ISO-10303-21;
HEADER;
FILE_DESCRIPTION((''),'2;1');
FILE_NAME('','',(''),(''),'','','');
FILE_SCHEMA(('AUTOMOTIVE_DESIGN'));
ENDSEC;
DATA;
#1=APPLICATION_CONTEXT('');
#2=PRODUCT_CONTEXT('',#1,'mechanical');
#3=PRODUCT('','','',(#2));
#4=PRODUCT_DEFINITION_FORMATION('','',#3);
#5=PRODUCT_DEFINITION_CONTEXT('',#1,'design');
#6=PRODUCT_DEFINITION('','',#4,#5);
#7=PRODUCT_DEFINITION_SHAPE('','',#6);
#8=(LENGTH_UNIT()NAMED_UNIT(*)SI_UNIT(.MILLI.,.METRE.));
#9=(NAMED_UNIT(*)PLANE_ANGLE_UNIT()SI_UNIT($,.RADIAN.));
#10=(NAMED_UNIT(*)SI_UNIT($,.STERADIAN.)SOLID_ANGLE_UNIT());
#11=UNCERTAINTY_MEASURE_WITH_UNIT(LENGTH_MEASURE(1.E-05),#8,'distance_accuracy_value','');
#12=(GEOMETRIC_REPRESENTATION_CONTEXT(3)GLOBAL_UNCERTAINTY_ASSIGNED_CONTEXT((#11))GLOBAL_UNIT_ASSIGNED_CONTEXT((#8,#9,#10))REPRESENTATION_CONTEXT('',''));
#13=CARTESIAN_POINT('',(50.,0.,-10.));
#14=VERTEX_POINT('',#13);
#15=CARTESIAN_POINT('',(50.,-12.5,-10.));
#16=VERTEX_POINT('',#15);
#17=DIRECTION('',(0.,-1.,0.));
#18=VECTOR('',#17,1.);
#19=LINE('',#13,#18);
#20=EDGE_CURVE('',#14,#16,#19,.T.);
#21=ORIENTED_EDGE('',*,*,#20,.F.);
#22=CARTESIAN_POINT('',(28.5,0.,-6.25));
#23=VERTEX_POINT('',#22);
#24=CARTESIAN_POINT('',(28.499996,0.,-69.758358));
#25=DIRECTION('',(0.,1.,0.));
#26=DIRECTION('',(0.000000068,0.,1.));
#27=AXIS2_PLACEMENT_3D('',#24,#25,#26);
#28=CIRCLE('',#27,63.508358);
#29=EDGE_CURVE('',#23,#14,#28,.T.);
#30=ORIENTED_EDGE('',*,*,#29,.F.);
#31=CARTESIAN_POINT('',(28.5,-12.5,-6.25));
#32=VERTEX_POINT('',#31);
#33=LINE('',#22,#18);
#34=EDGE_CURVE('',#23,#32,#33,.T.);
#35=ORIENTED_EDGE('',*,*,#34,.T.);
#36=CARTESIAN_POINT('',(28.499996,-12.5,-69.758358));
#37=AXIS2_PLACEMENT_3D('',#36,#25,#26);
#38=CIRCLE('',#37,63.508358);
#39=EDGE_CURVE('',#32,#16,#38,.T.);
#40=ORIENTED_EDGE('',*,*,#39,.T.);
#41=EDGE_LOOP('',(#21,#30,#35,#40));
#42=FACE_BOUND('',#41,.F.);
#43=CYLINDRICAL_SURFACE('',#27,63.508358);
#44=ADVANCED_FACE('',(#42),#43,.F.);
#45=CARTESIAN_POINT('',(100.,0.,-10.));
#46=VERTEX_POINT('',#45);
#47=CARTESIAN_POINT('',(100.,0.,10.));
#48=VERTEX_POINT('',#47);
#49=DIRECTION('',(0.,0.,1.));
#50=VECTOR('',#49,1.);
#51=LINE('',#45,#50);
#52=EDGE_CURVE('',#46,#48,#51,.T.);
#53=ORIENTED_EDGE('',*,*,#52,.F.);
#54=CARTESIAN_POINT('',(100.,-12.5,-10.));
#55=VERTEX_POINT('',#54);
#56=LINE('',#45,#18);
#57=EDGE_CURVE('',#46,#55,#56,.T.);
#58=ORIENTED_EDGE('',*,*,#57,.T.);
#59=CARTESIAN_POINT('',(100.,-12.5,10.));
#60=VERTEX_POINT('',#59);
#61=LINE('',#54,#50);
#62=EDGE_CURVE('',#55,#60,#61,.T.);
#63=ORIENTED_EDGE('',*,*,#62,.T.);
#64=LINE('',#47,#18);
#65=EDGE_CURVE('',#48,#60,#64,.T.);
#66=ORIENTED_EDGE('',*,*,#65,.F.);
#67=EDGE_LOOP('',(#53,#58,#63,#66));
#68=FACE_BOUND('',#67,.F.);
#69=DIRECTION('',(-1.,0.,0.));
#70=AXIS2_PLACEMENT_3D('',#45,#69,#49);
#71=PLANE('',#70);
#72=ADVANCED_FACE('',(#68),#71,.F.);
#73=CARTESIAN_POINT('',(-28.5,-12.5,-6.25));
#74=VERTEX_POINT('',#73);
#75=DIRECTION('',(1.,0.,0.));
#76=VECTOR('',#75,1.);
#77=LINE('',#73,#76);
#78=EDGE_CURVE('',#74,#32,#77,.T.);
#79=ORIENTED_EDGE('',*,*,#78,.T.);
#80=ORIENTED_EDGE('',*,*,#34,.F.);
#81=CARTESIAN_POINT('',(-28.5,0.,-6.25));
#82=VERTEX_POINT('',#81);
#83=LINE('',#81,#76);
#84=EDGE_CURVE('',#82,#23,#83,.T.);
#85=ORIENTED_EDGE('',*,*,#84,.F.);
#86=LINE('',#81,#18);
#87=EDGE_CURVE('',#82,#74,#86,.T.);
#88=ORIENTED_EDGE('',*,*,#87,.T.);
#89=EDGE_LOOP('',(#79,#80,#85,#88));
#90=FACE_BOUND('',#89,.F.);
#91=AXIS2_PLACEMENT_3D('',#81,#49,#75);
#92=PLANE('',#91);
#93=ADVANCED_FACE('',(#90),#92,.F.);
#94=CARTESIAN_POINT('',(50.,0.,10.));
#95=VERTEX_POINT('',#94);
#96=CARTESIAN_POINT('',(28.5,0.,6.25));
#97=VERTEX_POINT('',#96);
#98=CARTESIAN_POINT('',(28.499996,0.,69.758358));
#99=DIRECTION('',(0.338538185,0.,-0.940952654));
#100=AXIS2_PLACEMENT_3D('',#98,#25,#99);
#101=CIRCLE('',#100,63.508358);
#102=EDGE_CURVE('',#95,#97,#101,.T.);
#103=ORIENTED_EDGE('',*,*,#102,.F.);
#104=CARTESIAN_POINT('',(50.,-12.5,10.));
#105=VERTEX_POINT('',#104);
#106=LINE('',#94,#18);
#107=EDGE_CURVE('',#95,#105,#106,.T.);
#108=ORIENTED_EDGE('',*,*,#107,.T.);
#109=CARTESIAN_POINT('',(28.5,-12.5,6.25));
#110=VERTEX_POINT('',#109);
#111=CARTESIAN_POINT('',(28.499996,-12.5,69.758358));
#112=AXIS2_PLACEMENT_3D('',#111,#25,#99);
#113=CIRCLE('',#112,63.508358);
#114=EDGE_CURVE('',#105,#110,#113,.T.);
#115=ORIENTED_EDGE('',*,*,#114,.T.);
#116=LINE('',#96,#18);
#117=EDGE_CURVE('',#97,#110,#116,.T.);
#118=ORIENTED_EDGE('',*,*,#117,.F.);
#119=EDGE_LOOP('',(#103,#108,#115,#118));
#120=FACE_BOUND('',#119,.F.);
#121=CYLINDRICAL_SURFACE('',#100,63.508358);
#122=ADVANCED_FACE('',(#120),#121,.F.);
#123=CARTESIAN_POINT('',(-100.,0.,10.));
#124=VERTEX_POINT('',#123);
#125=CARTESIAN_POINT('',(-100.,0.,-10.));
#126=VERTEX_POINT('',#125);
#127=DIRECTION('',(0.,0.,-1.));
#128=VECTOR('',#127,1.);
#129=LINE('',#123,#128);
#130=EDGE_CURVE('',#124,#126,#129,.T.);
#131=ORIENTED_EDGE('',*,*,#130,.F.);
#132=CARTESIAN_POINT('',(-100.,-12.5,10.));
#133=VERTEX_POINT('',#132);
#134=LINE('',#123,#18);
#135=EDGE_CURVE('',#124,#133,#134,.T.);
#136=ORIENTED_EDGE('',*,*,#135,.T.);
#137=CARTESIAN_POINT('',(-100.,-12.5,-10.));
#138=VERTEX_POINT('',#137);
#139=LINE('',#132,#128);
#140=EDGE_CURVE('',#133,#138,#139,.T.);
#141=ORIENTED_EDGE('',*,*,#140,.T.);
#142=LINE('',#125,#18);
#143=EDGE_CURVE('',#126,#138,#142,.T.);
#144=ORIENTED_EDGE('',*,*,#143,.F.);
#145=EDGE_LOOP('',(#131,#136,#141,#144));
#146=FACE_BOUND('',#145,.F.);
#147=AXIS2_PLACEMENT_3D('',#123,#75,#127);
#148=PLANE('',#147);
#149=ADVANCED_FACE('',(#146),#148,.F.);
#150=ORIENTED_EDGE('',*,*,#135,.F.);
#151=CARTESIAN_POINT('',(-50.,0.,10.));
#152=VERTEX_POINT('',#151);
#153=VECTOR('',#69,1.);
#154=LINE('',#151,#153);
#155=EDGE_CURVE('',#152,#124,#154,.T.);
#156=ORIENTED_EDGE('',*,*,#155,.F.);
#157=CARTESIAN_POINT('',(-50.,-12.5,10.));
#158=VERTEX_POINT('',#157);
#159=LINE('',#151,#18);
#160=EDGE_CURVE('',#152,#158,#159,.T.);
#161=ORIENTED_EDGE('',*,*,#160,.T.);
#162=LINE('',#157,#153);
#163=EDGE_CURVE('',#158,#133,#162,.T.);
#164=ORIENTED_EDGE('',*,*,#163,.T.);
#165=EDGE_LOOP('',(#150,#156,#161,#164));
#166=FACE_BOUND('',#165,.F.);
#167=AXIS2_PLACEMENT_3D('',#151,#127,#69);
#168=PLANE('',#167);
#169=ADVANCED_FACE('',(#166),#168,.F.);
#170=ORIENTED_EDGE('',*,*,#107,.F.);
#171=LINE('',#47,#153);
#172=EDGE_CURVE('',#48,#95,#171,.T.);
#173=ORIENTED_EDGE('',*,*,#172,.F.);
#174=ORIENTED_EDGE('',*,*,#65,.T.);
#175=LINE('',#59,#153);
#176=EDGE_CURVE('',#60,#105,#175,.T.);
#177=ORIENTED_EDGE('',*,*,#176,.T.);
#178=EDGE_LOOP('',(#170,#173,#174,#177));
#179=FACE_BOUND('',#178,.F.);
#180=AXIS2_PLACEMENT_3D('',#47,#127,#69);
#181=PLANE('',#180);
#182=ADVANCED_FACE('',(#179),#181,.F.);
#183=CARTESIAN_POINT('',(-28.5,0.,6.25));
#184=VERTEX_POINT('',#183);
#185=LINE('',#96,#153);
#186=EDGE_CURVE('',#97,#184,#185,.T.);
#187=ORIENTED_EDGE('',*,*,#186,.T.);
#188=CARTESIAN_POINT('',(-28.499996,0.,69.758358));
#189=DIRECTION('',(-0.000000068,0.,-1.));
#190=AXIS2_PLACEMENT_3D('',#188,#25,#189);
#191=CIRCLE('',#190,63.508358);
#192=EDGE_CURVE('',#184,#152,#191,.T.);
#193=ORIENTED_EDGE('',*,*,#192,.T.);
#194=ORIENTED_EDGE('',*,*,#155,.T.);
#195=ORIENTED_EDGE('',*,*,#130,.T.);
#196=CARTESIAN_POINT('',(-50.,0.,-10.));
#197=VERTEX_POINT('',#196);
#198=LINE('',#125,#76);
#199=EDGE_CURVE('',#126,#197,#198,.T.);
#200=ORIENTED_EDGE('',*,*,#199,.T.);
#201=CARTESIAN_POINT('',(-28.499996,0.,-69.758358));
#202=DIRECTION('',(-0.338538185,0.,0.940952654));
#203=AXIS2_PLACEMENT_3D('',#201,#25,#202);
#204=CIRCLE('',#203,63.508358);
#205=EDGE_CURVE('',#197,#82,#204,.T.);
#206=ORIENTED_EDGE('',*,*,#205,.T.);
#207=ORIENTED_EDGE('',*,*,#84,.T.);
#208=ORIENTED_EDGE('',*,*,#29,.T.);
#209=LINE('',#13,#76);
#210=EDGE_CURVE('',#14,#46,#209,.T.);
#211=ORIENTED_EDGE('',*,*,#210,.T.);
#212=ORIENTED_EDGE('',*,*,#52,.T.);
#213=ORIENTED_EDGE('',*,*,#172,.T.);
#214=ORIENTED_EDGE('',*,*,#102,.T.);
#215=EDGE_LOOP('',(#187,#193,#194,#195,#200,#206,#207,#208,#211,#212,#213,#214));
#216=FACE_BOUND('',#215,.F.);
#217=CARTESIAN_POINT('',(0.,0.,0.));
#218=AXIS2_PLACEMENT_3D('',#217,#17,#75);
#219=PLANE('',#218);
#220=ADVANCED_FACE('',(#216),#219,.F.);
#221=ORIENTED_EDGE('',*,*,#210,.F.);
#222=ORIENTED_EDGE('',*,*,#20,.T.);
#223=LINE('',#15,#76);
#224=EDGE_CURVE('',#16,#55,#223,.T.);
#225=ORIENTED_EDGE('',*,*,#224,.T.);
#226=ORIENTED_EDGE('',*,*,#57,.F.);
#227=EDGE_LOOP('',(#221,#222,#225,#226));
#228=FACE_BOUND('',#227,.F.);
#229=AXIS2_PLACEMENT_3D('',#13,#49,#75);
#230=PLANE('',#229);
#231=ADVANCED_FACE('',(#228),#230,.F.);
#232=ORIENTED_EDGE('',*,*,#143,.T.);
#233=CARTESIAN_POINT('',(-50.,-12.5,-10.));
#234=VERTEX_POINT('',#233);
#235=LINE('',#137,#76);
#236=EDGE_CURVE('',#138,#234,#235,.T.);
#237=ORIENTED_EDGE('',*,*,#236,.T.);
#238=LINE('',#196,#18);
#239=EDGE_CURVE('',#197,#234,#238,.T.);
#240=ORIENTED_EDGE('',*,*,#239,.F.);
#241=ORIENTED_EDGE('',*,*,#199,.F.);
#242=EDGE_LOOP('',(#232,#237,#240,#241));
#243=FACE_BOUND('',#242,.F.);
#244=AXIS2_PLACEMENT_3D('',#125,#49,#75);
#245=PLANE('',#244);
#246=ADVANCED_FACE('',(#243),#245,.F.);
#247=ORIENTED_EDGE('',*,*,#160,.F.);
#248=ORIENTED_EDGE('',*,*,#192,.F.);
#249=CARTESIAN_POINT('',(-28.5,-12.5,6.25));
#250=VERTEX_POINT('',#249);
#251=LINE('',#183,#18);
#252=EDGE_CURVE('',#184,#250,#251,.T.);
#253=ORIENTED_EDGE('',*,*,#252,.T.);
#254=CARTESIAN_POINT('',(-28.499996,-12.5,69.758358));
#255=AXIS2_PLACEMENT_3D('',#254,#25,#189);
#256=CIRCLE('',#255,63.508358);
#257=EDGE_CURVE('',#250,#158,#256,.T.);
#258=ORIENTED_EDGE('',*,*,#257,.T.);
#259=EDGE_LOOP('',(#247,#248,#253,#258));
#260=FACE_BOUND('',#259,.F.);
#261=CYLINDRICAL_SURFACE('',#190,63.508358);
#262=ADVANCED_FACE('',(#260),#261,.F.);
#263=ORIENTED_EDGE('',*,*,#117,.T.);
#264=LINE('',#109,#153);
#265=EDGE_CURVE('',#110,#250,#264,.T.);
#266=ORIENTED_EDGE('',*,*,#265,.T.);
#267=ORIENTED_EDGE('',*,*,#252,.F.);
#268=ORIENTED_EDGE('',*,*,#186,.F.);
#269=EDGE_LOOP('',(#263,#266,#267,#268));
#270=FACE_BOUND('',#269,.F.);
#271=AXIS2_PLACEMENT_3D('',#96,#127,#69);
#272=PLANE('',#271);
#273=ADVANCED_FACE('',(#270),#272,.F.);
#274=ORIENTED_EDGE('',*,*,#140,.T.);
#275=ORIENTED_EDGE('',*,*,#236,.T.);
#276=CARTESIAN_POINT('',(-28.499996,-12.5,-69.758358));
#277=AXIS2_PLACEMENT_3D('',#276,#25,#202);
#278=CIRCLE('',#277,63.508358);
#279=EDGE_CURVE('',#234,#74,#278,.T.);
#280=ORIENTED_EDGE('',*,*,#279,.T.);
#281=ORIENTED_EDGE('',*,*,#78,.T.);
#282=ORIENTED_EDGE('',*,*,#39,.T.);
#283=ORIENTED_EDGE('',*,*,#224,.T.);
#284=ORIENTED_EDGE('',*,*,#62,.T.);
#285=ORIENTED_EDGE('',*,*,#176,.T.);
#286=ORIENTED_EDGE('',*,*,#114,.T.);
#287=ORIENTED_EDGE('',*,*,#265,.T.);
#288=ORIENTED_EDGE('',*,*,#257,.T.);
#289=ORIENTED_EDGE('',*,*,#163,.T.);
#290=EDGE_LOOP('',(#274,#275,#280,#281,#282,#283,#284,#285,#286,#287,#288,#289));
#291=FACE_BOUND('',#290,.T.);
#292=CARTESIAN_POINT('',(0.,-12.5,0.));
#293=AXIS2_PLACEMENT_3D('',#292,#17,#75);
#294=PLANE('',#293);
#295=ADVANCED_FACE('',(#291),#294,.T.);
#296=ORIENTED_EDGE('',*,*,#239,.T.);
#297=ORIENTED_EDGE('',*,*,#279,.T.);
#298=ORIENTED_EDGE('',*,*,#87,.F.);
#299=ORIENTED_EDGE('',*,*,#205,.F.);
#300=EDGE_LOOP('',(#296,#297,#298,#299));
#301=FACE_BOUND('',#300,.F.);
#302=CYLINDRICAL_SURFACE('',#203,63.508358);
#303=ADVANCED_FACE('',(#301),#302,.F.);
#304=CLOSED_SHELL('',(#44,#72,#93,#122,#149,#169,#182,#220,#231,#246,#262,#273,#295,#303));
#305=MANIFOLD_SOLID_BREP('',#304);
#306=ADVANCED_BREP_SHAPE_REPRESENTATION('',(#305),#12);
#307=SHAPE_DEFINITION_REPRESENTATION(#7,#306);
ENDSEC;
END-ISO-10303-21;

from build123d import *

# Parameters (mm, degrees)
F1_DEPTH = 12.5


with BuildPart() as f1:
    # F0 (on Front) → F1 (new body)
    with BuildSketch(Plane.XZ):
        with BuildLine():
            Line((28.5, 6.25), (0, 6.25))
            Line((0, 6.25), (-28.5, 6.25))
            ThreePointArc((-28.5, 6.25), (-39.412292, 7.194524), (-50, 10))
            Line((-50, 10), (-100, 10))
            Line((-100, 10), (-100, 0))
            Line((-100, 0), (-100, -10))
            Line((-100, -10), (-50, -10))
            ThreePointArc((-50, -10), (-39.412292, -7.194524), (-28.5, -6.25))
            Line((-28.5, -6.25), (0, -6.25))
            Line((0, -6.25), (28.5, -6.25))
            ThreePointArc((28.5, -6.25), (39.412292, -7.194524), (50, -10))
            Line((50, -10), (100, -10))
            Line((100, -10), (100, 0))
            Line((100, 0), (100, 10))
            Line((100, 10), (50, 10))
            ThreePointArc((50, 10), (39.412292, 7.194524), (28.5, 6.25))
        make_face()
    extrude(amount=F1_DEPTH)


solid = f1.part
